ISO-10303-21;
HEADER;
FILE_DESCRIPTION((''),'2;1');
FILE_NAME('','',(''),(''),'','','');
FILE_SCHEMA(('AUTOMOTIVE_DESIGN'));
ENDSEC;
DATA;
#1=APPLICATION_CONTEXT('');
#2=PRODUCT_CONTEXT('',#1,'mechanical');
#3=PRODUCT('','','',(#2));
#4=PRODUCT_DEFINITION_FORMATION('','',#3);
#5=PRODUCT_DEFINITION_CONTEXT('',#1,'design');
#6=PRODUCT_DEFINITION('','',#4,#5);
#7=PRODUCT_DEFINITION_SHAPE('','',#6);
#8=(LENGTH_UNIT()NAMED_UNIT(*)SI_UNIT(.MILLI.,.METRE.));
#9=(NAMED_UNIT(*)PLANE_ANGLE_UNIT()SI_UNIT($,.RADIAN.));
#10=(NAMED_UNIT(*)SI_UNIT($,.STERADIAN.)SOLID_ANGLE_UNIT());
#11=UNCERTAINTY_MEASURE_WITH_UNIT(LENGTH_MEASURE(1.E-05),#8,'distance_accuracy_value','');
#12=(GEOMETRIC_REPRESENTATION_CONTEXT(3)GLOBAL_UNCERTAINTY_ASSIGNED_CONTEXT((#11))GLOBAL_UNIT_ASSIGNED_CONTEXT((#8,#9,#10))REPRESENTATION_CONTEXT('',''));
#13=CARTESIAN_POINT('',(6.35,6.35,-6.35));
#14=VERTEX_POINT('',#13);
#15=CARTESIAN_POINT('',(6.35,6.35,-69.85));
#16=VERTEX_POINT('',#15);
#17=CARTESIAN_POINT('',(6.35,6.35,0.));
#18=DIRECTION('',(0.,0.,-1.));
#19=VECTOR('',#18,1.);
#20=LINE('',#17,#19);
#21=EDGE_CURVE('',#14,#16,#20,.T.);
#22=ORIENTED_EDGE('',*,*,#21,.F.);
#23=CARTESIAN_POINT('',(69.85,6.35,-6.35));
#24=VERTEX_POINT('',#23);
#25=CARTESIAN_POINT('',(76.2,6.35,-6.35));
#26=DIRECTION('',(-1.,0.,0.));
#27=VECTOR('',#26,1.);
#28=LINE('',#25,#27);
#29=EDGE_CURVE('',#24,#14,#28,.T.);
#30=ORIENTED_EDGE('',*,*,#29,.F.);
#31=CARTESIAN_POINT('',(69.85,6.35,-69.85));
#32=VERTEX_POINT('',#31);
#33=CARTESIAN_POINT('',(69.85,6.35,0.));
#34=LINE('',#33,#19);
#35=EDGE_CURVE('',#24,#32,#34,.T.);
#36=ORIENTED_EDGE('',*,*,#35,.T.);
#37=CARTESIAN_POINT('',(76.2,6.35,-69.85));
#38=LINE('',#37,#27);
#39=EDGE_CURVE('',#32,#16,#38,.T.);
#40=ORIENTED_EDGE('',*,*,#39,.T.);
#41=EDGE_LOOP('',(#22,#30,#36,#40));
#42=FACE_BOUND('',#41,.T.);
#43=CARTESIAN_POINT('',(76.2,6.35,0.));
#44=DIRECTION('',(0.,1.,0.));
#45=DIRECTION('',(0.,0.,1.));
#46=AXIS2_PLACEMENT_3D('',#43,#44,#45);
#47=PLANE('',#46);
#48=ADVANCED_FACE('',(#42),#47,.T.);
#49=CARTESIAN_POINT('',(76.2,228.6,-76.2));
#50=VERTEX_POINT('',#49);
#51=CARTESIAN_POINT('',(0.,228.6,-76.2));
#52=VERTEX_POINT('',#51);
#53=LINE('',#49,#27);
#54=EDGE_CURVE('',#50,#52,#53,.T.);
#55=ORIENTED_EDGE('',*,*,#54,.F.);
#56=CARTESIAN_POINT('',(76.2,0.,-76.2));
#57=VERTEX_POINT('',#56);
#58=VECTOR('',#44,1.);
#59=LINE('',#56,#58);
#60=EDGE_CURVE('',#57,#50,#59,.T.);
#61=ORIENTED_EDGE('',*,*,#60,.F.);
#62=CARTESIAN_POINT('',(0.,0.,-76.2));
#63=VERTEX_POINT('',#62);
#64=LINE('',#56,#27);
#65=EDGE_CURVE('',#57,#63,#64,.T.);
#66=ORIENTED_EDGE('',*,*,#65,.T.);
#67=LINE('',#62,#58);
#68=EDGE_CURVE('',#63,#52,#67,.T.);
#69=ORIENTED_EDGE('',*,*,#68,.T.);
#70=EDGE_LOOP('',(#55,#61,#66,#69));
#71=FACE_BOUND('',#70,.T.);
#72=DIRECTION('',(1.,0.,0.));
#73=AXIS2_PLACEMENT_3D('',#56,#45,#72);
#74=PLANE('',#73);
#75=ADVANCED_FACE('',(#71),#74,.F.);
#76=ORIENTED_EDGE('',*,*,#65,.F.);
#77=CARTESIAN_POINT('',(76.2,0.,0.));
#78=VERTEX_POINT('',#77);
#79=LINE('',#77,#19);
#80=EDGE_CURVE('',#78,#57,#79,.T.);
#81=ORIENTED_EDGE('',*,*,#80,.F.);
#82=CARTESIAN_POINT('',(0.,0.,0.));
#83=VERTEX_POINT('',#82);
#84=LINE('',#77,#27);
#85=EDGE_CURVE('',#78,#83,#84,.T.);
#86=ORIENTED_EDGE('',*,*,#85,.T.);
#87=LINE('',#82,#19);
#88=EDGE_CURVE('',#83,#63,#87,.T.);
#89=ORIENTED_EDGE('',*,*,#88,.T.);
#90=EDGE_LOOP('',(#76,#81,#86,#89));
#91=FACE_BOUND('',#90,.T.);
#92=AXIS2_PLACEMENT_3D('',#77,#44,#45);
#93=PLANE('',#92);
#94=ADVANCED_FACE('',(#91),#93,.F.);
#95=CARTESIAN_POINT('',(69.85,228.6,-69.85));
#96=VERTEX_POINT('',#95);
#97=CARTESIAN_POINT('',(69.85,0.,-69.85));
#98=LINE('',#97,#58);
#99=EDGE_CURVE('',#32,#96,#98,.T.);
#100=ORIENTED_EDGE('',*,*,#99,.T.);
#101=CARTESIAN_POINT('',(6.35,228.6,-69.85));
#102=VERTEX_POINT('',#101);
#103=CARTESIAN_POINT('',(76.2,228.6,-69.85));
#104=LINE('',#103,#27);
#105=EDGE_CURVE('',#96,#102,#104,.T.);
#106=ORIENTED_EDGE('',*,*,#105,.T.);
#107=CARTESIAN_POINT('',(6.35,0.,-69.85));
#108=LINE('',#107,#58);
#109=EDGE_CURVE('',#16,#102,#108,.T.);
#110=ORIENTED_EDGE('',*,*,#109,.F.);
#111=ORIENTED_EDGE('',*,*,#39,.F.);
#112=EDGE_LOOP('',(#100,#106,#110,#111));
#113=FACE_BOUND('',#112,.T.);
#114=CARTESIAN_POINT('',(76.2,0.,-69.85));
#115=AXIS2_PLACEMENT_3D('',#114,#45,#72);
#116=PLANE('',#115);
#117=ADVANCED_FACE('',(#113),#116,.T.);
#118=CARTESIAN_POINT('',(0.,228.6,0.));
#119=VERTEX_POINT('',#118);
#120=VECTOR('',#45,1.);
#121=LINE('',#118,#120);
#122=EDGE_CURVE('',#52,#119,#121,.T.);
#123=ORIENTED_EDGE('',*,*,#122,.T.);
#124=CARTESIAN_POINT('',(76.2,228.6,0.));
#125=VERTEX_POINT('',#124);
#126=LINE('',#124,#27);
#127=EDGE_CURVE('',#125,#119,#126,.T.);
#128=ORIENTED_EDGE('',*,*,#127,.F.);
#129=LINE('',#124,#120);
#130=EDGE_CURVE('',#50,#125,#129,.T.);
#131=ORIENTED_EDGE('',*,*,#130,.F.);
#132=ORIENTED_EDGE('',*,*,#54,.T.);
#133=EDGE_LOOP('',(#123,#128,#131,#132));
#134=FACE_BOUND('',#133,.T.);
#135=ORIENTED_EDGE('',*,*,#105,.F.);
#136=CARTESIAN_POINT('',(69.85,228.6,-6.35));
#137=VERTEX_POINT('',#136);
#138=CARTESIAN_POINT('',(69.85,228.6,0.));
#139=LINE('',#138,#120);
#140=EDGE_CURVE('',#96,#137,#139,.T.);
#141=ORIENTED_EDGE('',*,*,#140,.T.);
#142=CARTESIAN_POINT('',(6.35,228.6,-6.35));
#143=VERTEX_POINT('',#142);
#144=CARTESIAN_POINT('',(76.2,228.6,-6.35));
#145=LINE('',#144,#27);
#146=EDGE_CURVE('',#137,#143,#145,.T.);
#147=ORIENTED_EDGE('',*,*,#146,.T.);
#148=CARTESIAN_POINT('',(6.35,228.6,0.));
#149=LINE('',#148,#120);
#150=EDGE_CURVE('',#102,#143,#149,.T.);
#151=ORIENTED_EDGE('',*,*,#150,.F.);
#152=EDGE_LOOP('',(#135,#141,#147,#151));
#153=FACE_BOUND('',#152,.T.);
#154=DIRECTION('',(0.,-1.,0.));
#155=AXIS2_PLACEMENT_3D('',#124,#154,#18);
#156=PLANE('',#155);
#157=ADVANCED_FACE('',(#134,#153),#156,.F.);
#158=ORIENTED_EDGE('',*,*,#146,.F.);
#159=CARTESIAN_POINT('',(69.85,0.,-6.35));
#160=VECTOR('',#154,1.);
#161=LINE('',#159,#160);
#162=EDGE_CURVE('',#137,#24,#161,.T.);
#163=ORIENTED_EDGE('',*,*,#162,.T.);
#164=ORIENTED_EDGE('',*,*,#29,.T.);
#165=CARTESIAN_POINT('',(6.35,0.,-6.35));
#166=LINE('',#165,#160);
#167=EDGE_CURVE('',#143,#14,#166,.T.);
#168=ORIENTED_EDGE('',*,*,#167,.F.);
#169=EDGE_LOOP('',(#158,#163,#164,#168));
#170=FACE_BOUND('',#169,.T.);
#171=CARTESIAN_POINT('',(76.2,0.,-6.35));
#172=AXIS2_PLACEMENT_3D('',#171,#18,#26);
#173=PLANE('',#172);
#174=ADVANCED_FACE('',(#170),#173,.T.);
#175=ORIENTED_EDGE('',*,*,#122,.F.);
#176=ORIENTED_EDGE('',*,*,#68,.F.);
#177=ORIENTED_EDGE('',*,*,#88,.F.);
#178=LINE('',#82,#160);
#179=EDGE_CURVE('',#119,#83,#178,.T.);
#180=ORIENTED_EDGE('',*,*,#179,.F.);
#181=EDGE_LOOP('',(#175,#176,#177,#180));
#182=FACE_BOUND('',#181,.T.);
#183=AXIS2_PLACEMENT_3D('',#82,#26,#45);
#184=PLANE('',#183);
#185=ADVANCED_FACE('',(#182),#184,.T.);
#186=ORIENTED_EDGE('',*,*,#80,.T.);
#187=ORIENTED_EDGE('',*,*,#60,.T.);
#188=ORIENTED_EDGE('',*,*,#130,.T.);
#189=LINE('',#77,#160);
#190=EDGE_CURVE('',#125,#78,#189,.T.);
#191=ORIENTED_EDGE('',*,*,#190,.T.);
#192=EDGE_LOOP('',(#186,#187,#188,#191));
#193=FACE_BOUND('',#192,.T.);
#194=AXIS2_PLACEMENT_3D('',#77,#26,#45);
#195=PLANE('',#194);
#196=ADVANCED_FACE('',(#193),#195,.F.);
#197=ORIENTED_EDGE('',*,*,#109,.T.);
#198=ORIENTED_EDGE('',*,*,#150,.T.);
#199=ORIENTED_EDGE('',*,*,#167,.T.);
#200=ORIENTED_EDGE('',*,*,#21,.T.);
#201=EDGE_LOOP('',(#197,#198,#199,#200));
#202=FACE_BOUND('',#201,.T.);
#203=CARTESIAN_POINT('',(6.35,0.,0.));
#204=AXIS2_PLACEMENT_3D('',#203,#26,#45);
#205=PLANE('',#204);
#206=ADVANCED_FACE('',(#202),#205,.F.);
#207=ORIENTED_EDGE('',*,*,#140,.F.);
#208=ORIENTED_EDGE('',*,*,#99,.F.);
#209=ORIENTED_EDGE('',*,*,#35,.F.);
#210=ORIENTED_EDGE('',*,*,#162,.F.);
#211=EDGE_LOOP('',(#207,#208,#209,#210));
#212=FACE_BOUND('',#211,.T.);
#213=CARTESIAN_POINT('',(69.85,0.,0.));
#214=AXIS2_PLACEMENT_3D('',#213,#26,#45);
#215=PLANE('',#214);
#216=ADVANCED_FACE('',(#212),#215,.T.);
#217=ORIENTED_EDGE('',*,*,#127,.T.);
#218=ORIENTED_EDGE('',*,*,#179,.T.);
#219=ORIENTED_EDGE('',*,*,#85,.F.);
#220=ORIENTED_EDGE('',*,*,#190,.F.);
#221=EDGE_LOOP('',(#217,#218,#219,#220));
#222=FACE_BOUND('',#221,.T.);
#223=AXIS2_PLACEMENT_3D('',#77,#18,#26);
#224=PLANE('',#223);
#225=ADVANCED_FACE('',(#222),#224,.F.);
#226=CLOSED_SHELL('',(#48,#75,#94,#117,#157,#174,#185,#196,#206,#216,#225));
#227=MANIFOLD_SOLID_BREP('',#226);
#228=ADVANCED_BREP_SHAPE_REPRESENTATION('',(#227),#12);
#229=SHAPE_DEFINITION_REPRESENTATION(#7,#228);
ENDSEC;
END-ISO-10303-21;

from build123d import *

# Parameters (mm, degrees)
SKETCH1_W           = 76.2
SKETCH1_H           = 228.6
BOSS_EXTRUDE1_DEPTH = 76.2
SHELL1_T            = -6.35


with BuildPart() as part:
    # Sketch1 → Boss-Extrude1 (new body)
    with BuildSketch(Plane(origin=(0, 0, 0), x_dir=(0, 0, -1), z_dir=(1, 0, 0))):
        with Locations((38.1, 114.3)):
            Rectangle(SKETCH1_W, SKETCH1_H)
    extrude(amount=BOSS_EXTRUDE1_DEPTH)

    # Shell1
    shell1_openings = [part.faces().sort_by_distance(p)[0] for p in [
        (38.1, 228.6, -38.1),
    ]]
    offset(amount=SHELL1_T, openings=shell1_openings, kind=Kind.INTERSECTION)


solid = part.part
